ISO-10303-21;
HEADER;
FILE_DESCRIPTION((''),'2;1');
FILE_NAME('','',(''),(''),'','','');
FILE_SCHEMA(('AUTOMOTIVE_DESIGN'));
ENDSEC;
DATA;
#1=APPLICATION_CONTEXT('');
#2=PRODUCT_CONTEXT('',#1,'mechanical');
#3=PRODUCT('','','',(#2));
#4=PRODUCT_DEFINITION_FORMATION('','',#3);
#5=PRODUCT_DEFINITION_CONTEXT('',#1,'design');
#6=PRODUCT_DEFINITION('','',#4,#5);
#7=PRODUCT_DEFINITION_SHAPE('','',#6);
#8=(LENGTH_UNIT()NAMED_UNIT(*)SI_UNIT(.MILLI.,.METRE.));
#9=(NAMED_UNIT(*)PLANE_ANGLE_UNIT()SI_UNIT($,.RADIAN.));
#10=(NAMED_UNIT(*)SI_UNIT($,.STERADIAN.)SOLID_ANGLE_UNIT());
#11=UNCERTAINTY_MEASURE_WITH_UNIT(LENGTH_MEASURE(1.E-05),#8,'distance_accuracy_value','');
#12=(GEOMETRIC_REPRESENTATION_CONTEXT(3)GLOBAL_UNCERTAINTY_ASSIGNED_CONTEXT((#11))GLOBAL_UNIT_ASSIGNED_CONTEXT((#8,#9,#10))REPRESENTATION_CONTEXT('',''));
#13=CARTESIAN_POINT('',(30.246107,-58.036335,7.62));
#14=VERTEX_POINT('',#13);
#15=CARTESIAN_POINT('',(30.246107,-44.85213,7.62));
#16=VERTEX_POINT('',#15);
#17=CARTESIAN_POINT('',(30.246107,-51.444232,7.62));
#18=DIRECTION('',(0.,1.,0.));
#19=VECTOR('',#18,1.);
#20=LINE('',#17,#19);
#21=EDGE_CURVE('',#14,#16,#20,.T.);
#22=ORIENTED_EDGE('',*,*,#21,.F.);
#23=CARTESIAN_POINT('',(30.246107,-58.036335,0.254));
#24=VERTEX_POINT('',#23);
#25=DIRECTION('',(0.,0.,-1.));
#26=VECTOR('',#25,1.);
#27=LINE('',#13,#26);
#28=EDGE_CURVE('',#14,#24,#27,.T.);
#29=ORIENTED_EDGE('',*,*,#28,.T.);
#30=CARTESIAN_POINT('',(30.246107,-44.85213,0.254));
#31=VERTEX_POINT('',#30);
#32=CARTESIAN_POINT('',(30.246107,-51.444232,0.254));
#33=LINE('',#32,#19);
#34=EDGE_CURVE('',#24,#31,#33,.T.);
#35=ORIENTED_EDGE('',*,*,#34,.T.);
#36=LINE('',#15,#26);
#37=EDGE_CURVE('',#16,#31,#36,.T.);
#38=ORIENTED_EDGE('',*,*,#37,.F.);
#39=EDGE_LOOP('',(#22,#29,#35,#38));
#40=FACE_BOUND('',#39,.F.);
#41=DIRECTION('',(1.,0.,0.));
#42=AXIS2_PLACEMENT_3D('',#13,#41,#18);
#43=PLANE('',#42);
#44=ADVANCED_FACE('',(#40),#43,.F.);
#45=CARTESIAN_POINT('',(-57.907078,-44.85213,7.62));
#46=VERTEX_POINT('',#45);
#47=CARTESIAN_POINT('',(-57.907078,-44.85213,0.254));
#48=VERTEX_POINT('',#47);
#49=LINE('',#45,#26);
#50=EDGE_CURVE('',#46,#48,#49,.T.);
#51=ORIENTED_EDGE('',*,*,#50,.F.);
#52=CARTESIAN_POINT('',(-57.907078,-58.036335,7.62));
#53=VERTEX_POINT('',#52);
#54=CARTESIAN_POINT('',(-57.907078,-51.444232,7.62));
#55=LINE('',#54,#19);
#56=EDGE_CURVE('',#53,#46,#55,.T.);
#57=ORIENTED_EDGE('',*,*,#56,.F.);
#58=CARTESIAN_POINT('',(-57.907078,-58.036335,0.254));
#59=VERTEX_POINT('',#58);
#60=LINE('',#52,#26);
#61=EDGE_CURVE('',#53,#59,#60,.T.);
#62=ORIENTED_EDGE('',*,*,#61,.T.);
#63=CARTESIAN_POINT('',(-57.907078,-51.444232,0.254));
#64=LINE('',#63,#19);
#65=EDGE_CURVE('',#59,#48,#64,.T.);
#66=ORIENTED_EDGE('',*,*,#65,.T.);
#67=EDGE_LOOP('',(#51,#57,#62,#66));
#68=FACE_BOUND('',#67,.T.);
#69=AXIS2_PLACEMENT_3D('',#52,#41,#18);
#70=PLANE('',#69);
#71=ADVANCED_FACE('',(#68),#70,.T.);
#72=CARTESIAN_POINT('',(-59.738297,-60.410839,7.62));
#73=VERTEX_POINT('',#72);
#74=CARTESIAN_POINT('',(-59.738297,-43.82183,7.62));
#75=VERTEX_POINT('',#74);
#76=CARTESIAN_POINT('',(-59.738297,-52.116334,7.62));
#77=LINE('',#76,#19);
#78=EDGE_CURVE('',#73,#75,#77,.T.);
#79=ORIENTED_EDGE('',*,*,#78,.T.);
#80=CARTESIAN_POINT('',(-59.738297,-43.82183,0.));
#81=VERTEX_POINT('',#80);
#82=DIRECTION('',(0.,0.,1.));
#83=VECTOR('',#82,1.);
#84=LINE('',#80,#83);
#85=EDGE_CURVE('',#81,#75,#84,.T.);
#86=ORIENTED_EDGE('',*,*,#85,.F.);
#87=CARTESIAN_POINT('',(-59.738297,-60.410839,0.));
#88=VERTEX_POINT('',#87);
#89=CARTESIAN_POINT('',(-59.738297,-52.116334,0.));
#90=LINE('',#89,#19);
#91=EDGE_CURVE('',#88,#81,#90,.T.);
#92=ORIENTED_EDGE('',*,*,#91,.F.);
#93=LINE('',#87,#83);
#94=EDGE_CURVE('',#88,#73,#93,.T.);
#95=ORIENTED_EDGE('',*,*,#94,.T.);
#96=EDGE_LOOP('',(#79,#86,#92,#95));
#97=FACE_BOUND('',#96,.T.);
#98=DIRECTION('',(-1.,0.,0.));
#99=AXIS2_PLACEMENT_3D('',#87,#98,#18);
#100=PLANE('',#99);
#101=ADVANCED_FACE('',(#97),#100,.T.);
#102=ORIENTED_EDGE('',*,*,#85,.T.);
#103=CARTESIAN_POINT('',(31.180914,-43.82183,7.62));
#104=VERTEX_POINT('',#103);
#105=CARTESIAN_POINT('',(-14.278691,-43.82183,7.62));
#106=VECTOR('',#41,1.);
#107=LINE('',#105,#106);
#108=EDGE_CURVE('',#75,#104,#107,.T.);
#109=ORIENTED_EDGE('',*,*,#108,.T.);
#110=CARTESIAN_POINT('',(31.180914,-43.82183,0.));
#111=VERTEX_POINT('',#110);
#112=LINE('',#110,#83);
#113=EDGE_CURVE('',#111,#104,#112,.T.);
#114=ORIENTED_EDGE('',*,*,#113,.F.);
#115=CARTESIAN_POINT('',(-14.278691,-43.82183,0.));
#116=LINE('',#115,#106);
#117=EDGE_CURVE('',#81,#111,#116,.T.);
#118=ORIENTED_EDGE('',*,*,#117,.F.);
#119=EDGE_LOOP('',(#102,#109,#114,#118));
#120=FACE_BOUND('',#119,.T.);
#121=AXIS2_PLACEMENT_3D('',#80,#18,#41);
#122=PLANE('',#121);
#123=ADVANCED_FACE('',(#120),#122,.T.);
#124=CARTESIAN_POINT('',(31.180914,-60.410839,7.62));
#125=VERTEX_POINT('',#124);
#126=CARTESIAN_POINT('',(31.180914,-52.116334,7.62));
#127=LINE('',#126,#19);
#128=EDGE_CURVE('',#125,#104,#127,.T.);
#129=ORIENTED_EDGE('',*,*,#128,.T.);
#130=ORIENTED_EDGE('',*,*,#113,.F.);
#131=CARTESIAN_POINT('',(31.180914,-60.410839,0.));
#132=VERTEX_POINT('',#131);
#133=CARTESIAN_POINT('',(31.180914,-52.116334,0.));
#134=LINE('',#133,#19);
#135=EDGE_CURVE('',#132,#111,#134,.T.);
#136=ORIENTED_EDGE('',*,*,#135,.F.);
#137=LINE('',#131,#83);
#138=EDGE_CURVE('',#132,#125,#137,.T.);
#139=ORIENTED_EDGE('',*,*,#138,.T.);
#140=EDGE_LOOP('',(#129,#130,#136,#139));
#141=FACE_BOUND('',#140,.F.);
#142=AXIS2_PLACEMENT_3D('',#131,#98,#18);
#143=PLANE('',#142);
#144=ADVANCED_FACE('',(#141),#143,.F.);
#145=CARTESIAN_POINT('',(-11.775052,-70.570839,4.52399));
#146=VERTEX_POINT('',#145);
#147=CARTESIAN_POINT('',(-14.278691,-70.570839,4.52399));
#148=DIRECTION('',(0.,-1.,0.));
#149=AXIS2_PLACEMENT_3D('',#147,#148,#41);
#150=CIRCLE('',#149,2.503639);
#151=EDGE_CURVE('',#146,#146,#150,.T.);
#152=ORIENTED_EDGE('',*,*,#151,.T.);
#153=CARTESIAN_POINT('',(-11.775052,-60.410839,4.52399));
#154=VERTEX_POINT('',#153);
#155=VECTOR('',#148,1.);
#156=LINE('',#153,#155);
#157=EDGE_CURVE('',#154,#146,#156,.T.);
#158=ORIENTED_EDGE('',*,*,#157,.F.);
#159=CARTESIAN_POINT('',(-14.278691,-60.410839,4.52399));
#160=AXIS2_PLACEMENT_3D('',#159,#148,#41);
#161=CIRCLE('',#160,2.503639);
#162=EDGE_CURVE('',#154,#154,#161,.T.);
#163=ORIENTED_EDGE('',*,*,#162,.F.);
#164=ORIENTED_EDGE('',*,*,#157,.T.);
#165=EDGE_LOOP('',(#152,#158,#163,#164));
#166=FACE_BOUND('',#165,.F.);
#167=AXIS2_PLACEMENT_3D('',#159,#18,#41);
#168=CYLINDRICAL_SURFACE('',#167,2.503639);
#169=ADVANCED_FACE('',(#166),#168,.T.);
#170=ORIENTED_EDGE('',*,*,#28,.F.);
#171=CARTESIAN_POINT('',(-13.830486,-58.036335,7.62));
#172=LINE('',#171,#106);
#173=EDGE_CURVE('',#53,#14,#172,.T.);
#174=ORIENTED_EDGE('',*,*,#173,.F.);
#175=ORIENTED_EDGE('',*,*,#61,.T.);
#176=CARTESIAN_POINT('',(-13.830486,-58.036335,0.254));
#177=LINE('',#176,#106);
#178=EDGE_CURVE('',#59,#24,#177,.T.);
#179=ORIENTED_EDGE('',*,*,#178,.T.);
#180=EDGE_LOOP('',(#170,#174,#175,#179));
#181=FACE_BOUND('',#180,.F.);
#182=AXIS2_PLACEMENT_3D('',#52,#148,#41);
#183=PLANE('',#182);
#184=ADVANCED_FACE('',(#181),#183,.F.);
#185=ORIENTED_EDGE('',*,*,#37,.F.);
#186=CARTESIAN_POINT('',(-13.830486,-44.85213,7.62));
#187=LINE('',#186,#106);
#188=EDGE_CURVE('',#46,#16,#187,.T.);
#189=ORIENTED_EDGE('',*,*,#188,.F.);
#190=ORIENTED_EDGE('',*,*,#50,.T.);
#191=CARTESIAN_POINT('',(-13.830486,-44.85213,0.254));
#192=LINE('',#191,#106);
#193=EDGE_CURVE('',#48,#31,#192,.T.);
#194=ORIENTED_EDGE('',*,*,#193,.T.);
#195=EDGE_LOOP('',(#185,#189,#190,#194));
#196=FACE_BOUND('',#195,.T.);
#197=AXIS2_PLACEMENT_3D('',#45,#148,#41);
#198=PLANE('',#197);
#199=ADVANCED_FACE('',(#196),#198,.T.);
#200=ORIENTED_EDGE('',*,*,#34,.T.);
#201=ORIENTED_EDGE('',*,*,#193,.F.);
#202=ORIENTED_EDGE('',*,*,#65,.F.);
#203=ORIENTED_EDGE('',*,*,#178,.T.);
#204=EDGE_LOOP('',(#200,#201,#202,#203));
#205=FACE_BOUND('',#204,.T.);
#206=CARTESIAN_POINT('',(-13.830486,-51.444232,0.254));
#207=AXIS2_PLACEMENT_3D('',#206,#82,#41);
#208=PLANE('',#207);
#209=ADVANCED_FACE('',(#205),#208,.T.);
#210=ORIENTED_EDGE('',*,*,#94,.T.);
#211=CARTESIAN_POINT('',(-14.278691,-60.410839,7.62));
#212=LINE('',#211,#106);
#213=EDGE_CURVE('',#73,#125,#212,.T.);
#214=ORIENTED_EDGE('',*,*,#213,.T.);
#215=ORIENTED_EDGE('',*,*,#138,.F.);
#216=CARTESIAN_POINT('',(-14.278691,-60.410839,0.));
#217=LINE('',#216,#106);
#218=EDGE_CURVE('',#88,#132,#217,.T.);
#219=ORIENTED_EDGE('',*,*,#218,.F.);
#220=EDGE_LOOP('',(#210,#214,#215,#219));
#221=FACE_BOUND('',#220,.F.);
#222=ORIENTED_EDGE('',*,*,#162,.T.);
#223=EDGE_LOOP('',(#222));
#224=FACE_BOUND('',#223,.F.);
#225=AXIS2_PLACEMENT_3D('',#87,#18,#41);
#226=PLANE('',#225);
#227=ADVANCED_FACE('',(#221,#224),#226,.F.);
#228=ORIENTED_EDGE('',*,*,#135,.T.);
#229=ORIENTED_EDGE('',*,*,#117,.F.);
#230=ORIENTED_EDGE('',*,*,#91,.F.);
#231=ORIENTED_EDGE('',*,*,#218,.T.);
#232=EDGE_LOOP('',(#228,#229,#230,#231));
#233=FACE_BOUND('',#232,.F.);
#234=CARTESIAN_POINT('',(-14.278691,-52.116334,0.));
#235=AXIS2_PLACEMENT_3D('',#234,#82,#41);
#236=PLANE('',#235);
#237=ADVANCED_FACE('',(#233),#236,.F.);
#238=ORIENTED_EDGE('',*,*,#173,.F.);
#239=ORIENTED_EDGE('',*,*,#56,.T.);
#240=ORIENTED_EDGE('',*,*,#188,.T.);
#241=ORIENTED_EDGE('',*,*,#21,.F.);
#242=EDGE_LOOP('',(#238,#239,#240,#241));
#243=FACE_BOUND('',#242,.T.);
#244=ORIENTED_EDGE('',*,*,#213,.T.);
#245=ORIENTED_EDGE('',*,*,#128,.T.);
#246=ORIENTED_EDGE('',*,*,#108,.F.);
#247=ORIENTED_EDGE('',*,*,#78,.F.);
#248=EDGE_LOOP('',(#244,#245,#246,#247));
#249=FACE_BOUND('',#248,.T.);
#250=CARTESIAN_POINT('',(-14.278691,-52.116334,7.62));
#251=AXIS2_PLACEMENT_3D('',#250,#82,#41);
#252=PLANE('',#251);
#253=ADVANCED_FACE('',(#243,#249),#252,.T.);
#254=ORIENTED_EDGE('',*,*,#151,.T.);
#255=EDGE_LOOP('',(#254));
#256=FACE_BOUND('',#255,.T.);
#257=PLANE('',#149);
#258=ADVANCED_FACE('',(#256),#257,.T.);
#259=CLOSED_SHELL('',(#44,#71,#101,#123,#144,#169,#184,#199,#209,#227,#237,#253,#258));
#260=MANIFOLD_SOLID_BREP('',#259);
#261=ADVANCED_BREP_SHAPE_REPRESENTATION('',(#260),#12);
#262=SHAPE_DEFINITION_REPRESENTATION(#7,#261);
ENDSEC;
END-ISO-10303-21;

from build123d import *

# Parameters (mm, degrees)
F0_W     = 90.9192115068
F0_H     = 16.5890082717
F1_DEPTH = 7.62
F3_R     = 2.5036388288
F4_DEPTH = 10.16
F2_W     = 88.1531853229
F2_H     = 13.1842046976
F5_DEPTH = 7.366


with BuildPart() as f1:
    # F0 (on Top) → F1 (new body)
    with BuildSketch(Plane.XY):
        with Locations((-14.278691262, -52.1163344383)):
            Rectangle(F0_W, F0_H)
    extrude(amount=F1_DEPTH)

    # F3 (on face) → F4 (join)
    with BuildSketch(Plane.XZ.offset(60.4108385742)):
        with Locations((-14.278691262, 4.5239902101)):
            Circle(F3_R)
    extrude(amount=F4_DEPTH)

    # F2 (on face) → F5 (cut)
    with BuildSketch(Plane.XY.offset(7.62)):
        with Locations((-13.8304857537, -51.4442324638)):
            Rectangle(F2_W, F2_H)
    extrude(amount=-F5_DEPTH, mode=Mode.SUBTRACT)


solid = f1.part
